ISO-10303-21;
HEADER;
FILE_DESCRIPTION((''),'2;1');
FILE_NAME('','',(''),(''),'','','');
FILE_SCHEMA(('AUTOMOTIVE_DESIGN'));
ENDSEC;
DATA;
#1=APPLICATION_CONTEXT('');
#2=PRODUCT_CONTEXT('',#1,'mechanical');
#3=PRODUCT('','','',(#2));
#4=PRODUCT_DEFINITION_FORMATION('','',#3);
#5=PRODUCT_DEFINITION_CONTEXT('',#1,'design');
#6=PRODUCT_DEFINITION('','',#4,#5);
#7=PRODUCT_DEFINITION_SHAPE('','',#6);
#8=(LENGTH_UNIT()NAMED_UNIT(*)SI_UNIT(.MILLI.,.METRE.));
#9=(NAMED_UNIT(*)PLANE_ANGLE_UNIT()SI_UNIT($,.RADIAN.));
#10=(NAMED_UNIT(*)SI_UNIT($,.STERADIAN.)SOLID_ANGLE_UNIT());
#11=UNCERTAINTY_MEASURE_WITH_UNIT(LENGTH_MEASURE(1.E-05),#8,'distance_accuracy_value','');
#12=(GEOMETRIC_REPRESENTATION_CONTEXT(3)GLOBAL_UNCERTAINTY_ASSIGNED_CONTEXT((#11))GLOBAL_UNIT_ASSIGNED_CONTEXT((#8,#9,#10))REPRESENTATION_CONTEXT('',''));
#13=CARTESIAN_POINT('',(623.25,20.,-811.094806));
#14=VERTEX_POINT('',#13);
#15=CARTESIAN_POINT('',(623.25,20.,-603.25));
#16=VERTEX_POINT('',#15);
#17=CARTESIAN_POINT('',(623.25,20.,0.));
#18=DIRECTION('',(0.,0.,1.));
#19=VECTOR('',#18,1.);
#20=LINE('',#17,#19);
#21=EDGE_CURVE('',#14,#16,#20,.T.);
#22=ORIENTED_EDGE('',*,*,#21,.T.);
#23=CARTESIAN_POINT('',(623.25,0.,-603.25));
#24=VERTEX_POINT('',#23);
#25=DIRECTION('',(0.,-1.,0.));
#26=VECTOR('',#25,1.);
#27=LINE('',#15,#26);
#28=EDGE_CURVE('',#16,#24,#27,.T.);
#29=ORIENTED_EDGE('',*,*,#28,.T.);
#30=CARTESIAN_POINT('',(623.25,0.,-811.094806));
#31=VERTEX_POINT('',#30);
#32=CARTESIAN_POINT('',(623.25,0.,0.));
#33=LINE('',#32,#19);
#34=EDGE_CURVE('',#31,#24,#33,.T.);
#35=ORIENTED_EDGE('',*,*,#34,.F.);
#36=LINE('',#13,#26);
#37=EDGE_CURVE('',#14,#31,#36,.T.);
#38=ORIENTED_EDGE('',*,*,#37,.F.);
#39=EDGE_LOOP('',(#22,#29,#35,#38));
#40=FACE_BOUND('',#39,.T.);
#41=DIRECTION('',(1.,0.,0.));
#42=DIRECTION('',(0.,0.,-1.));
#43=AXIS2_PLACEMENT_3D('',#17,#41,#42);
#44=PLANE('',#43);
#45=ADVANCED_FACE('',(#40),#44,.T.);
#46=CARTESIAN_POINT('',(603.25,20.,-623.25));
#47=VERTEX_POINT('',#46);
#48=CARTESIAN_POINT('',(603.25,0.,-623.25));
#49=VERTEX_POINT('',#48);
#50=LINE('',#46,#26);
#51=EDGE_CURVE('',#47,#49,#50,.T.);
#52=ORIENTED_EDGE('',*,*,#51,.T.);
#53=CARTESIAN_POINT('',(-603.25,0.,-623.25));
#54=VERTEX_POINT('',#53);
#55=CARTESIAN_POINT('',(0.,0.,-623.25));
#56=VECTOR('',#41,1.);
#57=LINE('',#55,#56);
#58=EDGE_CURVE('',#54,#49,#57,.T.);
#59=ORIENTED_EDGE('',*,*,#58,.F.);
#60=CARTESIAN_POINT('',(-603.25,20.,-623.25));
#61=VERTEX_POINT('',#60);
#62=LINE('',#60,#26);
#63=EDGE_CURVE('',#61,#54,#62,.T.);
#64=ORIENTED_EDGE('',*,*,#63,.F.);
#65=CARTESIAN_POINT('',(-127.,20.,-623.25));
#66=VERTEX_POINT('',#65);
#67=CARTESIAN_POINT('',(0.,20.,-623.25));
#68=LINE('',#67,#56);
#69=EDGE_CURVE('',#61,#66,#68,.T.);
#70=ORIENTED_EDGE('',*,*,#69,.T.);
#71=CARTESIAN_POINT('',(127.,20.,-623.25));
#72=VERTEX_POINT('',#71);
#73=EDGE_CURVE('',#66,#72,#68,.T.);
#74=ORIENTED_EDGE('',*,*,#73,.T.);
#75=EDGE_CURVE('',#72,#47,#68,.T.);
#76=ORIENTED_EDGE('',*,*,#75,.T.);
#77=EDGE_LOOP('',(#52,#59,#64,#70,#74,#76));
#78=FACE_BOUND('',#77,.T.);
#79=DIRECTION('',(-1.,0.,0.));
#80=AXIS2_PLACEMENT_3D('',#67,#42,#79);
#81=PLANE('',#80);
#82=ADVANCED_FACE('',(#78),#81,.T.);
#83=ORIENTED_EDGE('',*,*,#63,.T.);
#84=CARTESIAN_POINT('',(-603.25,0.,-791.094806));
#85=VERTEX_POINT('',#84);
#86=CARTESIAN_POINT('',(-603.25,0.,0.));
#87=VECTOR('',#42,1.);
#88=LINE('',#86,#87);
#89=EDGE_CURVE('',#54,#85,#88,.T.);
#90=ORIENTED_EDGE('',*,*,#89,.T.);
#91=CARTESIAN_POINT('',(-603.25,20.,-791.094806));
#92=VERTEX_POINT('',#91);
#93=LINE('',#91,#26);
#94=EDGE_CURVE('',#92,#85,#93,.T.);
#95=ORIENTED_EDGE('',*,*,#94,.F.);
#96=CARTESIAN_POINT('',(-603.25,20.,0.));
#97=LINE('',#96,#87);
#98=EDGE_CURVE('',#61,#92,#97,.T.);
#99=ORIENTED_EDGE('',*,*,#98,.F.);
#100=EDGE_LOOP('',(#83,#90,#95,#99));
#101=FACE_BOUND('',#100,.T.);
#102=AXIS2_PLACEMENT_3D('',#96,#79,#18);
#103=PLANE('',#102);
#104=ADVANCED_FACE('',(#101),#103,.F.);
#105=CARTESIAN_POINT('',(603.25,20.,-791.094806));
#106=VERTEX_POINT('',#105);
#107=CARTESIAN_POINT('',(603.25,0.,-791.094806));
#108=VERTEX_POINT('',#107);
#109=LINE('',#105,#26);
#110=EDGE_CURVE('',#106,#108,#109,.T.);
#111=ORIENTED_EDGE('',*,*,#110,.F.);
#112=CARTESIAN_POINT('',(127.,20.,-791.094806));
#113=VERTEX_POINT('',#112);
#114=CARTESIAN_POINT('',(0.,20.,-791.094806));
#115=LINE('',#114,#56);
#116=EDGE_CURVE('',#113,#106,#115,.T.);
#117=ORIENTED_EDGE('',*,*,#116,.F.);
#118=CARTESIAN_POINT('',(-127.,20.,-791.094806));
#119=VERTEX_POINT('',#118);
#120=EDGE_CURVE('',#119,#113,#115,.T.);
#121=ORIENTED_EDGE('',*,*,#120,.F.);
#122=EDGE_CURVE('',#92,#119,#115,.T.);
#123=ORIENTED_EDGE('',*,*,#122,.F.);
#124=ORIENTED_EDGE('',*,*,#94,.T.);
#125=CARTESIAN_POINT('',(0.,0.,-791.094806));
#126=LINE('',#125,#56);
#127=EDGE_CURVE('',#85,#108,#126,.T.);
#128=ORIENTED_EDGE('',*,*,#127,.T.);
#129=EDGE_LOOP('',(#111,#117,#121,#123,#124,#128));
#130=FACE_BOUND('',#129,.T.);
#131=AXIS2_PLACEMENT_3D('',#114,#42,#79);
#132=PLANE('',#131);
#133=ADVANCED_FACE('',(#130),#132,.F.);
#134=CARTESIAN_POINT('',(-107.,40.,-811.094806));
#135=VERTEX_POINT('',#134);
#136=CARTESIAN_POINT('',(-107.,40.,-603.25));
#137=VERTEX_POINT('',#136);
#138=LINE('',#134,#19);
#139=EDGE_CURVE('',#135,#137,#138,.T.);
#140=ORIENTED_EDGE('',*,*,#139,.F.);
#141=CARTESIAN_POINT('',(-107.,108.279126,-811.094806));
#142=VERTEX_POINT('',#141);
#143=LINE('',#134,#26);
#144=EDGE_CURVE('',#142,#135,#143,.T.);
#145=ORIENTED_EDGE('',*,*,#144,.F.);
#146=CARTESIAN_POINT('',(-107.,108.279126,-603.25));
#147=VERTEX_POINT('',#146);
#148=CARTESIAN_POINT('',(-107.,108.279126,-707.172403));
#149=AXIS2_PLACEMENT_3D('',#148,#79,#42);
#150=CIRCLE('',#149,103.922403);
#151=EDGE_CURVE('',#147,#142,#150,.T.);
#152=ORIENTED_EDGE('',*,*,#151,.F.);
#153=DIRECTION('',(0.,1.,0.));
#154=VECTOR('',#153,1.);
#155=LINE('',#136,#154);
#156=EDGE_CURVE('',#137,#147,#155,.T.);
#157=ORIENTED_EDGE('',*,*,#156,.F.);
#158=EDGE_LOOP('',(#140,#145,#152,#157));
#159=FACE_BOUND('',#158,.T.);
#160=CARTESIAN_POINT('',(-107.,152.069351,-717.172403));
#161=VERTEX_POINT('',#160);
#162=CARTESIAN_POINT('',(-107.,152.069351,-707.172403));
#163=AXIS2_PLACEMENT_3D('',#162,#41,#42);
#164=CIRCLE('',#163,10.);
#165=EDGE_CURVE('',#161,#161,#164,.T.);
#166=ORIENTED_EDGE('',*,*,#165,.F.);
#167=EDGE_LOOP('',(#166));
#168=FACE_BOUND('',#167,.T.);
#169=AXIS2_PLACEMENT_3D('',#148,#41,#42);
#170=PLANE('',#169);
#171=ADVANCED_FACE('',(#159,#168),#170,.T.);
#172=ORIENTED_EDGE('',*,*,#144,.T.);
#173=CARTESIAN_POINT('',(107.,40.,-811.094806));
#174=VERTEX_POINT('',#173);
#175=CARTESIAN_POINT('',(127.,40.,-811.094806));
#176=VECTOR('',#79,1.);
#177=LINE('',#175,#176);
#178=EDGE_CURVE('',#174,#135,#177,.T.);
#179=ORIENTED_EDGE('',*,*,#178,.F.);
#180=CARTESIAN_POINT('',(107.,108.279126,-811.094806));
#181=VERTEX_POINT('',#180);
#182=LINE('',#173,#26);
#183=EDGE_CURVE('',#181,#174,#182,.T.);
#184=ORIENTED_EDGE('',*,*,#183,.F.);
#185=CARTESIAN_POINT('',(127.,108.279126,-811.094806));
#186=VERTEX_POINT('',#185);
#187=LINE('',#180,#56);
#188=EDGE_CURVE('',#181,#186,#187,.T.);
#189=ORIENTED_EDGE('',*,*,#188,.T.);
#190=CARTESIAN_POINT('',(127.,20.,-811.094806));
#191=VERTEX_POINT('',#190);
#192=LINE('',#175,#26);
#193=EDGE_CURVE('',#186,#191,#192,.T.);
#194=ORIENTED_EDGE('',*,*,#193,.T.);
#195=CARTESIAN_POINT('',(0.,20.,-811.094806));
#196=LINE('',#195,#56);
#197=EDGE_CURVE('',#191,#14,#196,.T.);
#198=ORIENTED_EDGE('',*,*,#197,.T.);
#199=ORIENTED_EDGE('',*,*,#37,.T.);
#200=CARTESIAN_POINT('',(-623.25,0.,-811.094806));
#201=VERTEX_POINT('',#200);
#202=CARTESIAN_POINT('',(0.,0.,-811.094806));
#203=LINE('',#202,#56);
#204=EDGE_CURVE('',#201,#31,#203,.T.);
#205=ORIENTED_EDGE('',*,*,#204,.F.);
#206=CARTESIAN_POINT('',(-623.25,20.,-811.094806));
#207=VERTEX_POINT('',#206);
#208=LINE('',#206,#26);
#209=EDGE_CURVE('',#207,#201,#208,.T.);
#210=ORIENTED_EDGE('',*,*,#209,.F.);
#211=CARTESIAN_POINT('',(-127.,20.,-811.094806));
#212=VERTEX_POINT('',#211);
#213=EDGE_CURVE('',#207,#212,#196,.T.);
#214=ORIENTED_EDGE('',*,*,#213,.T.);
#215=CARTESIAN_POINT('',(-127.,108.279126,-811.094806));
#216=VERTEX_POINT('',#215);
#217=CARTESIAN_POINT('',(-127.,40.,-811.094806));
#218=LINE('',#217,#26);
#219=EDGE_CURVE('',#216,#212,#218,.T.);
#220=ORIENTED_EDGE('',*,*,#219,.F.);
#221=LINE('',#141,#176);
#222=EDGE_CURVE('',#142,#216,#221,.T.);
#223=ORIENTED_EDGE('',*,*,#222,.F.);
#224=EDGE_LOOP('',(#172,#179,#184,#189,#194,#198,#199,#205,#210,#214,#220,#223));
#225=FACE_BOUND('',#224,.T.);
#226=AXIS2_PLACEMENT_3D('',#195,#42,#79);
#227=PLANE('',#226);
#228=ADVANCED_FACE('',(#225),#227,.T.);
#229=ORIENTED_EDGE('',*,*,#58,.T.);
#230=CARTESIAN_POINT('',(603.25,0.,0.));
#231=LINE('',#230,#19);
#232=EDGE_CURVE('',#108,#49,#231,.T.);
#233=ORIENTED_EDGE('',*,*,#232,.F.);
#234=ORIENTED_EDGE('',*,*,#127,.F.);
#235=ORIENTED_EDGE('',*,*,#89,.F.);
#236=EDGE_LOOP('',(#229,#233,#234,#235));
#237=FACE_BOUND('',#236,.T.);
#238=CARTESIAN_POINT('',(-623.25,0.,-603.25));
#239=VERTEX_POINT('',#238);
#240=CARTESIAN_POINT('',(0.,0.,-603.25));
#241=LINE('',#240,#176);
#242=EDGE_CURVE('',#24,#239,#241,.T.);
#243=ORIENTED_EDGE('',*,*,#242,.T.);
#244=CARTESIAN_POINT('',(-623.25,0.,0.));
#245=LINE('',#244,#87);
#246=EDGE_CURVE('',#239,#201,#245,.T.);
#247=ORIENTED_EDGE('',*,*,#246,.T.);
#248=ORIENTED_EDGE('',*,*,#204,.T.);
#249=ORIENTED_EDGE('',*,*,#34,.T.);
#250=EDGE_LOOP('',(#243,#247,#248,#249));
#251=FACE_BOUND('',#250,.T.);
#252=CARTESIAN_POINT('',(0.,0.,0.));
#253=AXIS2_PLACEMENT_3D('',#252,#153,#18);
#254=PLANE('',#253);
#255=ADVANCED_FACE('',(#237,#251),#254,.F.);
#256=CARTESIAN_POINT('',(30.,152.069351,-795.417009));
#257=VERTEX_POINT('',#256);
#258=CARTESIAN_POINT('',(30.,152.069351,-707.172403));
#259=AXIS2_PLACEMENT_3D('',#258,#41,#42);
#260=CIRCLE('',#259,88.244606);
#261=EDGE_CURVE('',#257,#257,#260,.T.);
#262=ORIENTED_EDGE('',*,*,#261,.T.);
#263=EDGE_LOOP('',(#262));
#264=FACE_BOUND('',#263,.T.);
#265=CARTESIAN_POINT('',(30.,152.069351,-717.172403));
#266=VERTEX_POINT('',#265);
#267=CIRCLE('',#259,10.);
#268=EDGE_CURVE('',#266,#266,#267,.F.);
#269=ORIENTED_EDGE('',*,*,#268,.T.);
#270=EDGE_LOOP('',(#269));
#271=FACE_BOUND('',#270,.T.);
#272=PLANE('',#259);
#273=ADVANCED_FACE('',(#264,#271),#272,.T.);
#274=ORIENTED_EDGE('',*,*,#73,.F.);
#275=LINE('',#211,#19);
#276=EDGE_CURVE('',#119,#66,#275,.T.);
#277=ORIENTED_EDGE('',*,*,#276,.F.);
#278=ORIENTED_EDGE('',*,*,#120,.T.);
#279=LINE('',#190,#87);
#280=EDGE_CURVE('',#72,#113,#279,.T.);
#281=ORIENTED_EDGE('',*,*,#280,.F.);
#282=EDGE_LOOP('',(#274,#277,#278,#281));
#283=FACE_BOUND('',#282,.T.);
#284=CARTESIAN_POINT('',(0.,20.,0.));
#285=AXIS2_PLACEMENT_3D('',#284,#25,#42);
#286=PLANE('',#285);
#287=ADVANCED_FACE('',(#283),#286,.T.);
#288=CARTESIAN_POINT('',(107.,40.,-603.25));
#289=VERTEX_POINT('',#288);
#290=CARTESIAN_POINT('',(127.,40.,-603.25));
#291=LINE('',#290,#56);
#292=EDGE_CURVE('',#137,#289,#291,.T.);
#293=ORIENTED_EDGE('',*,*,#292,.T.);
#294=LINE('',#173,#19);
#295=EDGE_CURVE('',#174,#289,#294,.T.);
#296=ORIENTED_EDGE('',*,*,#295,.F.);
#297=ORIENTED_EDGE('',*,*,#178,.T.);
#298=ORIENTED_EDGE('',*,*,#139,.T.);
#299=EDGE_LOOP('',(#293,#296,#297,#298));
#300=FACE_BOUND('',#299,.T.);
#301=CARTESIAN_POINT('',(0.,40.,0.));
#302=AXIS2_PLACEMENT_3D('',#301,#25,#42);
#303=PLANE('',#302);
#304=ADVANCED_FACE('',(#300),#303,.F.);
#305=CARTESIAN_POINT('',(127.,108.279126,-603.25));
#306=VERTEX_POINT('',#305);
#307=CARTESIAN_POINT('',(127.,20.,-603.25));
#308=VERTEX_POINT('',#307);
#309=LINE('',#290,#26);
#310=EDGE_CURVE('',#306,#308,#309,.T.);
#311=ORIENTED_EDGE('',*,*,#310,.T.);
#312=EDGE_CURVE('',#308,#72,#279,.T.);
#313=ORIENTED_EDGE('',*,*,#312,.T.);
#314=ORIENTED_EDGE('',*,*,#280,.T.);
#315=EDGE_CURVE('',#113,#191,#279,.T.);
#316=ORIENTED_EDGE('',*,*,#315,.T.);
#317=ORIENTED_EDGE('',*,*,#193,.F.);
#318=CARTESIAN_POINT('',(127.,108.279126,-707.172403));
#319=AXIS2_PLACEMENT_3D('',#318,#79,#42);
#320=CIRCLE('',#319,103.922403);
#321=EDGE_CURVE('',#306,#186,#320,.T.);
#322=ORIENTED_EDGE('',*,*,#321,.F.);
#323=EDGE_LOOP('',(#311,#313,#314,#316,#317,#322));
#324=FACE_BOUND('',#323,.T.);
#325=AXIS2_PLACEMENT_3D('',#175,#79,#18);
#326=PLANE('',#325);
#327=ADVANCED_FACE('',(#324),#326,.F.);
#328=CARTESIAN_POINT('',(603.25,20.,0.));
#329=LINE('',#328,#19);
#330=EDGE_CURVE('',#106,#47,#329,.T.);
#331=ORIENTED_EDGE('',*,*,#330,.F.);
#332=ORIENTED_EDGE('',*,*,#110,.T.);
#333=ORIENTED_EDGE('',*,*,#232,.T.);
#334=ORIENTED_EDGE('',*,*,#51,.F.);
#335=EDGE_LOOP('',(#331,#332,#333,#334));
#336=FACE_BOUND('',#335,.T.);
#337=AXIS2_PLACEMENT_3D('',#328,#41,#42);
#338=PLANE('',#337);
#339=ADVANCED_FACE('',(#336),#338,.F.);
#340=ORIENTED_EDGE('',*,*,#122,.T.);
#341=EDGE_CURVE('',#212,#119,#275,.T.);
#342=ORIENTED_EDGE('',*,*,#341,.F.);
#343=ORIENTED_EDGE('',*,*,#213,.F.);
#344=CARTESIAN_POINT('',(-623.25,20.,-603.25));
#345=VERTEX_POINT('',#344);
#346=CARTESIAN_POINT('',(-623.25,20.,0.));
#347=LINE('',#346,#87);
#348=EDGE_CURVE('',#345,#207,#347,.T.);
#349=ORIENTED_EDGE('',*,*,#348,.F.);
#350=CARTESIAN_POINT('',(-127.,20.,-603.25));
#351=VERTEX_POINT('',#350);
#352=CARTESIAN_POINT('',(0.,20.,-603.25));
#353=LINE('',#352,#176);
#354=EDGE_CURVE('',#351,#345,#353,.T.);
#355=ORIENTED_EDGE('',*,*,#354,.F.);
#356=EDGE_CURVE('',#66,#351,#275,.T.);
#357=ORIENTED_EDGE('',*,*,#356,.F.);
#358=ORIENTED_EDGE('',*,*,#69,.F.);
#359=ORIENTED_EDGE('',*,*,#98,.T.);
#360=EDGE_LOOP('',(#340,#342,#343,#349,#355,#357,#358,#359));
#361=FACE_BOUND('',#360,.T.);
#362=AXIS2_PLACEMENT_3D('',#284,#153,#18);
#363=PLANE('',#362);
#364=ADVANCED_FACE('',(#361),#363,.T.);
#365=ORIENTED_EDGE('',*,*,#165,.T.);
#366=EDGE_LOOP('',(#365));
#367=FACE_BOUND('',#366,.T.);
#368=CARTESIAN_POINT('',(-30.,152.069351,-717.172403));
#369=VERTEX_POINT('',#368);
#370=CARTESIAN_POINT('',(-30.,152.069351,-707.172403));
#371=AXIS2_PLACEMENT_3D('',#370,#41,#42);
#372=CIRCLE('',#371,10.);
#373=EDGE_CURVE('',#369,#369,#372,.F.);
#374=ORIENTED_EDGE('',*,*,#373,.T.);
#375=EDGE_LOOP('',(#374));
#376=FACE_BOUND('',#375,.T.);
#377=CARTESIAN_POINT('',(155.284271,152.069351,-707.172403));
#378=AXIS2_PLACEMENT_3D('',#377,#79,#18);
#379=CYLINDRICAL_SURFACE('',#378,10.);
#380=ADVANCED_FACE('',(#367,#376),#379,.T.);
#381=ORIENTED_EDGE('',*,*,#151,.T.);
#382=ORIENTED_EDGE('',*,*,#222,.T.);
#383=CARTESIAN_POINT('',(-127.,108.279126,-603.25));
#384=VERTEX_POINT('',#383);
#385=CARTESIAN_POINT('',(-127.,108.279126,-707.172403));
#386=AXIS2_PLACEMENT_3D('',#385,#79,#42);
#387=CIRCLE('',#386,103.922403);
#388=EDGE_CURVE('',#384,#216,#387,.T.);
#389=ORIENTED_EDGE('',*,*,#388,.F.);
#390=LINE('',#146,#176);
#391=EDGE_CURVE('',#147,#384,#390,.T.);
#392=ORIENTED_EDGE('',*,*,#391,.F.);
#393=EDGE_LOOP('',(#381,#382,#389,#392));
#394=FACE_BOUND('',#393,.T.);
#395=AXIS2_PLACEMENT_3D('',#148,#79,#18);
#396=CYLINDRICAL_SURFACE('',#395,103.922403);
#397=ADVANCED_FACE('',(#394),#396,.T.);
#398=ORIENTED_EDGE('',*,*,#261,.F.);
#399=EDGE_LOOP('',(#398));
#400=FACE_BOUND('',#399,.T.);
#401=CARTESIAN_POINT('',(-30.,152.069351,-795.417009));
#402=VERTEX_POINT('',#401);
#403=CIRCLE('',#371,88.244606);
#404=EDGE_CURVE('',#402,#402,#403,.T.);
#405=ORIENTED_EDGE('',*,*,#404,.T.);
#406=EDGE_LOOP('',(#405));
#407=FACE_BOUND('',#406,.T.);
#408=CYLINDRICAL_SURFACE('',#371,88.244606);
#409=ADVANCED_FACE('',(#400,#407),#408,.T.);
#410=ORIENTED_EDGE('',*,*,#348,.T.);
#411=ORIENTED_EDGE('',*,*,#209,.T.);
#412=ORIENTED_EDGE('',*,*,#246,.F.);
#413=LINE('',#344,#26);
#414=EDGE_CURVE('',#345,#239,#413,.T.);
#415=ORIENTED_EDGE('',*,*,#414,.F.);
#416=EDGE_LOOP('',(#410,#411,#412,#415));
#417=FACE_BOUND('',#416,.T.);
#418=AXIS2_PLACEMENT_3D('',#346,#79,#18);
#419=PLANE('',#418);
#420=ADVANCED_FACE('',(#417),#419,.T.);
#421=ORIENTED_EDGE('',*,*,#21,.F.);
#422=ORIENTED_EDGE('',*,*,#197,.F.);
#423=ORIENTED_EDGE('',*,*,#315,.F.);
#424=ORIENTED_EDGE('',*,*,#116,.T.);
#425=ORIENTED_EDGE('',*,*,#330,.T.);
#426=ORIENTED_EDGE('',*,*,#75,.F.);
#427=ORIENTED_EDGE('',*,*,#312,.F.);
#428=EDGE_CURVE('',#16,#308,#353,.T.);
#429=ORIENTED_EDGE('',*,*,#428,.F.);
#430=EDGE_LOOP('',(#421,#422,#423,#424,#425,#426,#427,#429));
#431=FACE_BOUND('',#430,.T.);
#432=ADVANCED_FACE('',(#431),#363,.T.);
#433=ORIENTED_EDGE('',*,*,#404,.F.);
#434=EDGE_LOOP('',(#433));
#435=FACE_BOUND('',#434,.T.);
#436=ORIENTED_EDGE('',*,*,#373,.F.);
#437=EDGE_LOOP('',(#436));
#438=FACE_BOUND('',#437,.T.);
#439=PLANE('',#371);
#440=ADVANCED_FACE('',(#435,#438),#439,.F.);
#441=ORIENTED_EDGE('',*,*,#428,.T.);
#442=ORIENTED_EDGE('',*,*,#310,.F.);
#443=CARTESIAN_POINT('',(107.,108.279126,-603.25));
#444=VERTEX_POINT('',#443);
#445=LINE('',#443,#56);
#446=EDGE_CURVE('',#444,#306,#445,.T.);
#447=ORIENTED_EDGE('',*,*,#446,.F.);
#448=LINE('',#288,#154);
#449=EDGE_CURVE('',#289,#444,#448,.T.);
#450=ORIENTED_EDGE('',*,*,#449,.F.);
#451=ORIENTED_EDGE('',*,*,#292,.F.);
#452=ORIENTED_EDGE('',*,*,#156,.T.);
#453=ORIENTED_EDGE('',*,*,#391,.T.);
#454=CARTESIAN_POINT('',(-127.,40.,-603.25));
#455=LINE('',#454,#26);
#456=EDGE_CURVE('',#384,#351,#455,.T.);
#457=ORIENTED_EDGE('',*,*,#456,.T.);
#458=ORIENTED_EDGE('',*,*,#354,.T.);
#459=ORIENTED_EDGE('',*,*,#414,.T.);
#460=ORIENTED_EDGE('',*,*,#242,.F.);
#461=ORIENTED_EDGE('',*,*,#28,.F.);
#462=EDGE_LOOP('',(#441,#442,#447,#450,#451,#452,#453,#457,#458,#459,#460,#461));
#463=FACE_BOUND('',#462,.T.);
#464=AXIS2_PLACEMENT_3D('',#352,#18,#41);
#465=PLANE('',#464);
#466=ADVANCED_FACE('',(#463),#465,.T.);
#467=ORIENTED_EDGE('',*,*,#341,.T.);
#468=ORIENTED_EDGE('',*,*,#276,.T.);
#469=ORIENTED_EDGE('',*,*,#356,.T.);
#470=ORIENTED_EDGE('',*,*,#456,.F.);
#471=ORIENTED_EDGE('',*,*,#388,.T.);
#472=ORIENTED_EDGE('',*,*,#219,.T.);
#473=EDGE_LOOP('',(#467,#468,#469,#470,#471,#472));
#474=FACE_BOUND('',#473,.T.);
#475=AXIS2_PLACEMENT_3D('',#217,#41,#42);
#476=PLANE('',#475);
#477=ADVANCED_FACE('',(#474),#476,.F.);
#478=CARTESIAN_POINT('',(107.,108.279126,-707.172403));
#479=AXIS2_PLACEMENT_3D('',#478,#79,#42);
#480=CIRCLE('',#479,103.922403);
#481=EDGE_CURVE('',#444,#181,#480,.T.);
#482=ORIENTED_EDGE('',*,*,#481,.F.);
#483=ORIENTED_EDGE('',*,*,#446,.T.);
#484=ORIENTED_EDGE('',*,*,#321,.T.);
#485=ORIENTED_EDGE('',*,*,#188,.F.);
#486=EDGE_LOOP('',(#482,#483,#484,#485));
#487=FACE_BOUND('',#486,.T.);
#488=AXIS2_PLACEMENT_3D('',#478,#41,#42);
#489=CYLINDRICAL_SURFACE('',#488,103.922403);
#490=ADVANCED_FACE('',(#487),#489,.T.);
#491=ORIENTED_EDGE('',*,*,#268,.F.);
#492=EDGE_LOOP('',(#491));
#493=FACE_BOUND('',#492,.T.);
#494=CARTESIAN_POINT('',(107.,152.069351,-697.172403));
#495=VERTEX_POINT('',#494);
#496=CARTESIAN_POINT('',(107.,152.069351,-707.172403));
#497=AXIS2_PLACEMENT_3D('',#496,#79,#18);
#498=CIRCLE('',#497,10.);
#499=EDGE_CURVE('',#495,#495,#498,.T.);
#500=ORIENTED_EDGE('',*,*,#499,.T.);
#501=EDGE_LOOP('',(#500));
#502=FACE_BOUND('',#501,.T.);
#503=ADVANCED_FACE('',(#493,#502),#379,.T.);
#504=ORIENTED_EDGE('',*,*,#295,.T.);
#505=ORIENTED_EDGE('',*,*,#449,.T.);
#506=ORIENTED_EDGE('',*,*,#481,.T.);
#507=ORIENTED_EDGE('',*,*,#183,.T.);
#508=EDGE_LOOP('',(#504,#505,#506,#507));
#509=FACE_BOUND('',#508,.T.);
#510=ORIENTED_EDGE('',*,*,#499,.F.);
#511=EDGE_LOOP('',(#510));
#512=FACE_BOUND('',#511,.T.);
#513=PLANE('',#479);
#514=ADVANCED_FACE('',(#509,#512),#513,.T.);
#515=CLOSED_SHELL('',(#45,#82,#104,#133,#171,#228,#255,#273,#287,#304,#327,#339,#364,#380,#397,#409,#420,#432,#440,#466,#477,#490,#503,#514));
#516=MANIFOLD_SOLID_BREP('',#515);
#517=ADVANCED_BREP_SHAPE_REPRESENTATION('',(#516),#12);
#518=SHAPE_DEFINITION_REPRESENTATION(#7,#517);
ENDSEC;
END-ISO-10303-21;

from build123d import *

# Parameters (mm, degrees)
BOSS_EXTRUDE1_DEPTH      = 20
SKETCH2_W                = 254
SKETCH2_H                = 207.844806097
BOSS_EXTRUDE2_DEPTH      = 20
SKETCH3_R                = 10
BOSS_EXTRUDE3_DEPTH      = 20
BOSS_EXTRUDE4_DEPTH      = 30
BOSS_EXTRUDE4_DEPTH_BACK = 30
SKETCH4_R                = 88.24460582
SKETCH5_R                = 10
BOSS_EXTRUDE5_DEPTH      = 254


with BuildPart() as part:
    # Sketch1 → Boss-Extrude1 (new body)
    with BuildSketch(Plane(origin=(0, 0, 0), x_dir=(1, 0, 0), z_dir=(0, 1, 0))):
        Polygon((-623.25, 811.094806097), (-623.25, 623.25), (-603.25, 623.25), (-603.25, 791.094806097), (603.25, 791.094806097), (603.25, 623.25), (623.25, 623.25), (623.25, 811.094806097), align=None)
        Polygon((-623.25, 623.25), (-623.25, 603.25), (-603.25, 603.25), (603.25, 603.25), (623.25, 603.25), (623.25, 623.25), (603.25, 623.25), (-603.25, 623.25), align=None)
    extrude(amount=BOSS_EXTRUDE1_DEPTH)

    # Sketch2 → Boss-Extrude2 (add)
    with BuildSketch(Plane(origin=(0, 20, 0), x_dir=(1, 0, 0), z_dir=(0, 1, 0))):
        with Locations((0, 707.172403048)):
            Rectangle(SKETCH2_W, SKETCH2_H)
    extrude(amount=BOSS_EXTRUDE2_DEPTH)

    # Sketch3 → Boss-Extrude3 (add)
    with BuildSketch(Plane.ZY.offset(127)):
        with BuildLine():
            Line((-811.094806097, 40), (-603.25, 40))
            Line((-603.25, 40), (-603.25, 108.279126424))
            ThreePointArc((-603.25, 108.279126424), (-707.172403048, 212.201529473), (-811.094806097, 108.279126424))
            Line((-811.094806097, 108.279126424), (-811.094806097, 40))
        make_face()
        with Locations((-707.172403048, 152.06935065)):
            Circle(SKETCH3_R, mode=Mode.SUBTRACT)
    boss_extrude3 = extrude(amount=-BOSS_EXTRUDE3_DEPTH)

    # Mirror1: Boss-Extrude3 across plane
    add(boss_extrude3.mirror(Plane(origin=(0, 0, 0), x_dir=(0, 0, 1), z_dir=(1, 0, 0))))



with BuildPart() as body_2:
    # Sketch4 → Boss-Extrude4 (new, two sides: drawn at the far end of the back side and taken through both)
    with BuildSketch(Plane(origin=(0, 0, 0), x_dir=(0, 0, -1), z_dir=(1, 0, 0)).offset(-BOSS_EXTRUDE4_DEPTH_BACK)):
        with Locations((707.172403048, 152.06935065)):
            Circle(SKETCH4_R)
    extrude(amount=BOSS_EXTRUDE4_DEPTH + BOSS_EXTRUDE4_DEPTH_BACK)


with BuildPart() as part_1:
    add(part.part)

    add(body_2.part)  # Boss-Extrude5 merges body 2
    # Sketch5 → Boss-Extrude5 (add)
    with BuildSketch(Plane.ZY.offset(127)):
        with Locations(Location((-707.172403048, 152.06935065, 0), (0, 0, 180))):
            Circle(SKETCH5_R)
    extrude(amount=-BOSS_EXTRUDE5_DEPTH)


solid = part_1.part
